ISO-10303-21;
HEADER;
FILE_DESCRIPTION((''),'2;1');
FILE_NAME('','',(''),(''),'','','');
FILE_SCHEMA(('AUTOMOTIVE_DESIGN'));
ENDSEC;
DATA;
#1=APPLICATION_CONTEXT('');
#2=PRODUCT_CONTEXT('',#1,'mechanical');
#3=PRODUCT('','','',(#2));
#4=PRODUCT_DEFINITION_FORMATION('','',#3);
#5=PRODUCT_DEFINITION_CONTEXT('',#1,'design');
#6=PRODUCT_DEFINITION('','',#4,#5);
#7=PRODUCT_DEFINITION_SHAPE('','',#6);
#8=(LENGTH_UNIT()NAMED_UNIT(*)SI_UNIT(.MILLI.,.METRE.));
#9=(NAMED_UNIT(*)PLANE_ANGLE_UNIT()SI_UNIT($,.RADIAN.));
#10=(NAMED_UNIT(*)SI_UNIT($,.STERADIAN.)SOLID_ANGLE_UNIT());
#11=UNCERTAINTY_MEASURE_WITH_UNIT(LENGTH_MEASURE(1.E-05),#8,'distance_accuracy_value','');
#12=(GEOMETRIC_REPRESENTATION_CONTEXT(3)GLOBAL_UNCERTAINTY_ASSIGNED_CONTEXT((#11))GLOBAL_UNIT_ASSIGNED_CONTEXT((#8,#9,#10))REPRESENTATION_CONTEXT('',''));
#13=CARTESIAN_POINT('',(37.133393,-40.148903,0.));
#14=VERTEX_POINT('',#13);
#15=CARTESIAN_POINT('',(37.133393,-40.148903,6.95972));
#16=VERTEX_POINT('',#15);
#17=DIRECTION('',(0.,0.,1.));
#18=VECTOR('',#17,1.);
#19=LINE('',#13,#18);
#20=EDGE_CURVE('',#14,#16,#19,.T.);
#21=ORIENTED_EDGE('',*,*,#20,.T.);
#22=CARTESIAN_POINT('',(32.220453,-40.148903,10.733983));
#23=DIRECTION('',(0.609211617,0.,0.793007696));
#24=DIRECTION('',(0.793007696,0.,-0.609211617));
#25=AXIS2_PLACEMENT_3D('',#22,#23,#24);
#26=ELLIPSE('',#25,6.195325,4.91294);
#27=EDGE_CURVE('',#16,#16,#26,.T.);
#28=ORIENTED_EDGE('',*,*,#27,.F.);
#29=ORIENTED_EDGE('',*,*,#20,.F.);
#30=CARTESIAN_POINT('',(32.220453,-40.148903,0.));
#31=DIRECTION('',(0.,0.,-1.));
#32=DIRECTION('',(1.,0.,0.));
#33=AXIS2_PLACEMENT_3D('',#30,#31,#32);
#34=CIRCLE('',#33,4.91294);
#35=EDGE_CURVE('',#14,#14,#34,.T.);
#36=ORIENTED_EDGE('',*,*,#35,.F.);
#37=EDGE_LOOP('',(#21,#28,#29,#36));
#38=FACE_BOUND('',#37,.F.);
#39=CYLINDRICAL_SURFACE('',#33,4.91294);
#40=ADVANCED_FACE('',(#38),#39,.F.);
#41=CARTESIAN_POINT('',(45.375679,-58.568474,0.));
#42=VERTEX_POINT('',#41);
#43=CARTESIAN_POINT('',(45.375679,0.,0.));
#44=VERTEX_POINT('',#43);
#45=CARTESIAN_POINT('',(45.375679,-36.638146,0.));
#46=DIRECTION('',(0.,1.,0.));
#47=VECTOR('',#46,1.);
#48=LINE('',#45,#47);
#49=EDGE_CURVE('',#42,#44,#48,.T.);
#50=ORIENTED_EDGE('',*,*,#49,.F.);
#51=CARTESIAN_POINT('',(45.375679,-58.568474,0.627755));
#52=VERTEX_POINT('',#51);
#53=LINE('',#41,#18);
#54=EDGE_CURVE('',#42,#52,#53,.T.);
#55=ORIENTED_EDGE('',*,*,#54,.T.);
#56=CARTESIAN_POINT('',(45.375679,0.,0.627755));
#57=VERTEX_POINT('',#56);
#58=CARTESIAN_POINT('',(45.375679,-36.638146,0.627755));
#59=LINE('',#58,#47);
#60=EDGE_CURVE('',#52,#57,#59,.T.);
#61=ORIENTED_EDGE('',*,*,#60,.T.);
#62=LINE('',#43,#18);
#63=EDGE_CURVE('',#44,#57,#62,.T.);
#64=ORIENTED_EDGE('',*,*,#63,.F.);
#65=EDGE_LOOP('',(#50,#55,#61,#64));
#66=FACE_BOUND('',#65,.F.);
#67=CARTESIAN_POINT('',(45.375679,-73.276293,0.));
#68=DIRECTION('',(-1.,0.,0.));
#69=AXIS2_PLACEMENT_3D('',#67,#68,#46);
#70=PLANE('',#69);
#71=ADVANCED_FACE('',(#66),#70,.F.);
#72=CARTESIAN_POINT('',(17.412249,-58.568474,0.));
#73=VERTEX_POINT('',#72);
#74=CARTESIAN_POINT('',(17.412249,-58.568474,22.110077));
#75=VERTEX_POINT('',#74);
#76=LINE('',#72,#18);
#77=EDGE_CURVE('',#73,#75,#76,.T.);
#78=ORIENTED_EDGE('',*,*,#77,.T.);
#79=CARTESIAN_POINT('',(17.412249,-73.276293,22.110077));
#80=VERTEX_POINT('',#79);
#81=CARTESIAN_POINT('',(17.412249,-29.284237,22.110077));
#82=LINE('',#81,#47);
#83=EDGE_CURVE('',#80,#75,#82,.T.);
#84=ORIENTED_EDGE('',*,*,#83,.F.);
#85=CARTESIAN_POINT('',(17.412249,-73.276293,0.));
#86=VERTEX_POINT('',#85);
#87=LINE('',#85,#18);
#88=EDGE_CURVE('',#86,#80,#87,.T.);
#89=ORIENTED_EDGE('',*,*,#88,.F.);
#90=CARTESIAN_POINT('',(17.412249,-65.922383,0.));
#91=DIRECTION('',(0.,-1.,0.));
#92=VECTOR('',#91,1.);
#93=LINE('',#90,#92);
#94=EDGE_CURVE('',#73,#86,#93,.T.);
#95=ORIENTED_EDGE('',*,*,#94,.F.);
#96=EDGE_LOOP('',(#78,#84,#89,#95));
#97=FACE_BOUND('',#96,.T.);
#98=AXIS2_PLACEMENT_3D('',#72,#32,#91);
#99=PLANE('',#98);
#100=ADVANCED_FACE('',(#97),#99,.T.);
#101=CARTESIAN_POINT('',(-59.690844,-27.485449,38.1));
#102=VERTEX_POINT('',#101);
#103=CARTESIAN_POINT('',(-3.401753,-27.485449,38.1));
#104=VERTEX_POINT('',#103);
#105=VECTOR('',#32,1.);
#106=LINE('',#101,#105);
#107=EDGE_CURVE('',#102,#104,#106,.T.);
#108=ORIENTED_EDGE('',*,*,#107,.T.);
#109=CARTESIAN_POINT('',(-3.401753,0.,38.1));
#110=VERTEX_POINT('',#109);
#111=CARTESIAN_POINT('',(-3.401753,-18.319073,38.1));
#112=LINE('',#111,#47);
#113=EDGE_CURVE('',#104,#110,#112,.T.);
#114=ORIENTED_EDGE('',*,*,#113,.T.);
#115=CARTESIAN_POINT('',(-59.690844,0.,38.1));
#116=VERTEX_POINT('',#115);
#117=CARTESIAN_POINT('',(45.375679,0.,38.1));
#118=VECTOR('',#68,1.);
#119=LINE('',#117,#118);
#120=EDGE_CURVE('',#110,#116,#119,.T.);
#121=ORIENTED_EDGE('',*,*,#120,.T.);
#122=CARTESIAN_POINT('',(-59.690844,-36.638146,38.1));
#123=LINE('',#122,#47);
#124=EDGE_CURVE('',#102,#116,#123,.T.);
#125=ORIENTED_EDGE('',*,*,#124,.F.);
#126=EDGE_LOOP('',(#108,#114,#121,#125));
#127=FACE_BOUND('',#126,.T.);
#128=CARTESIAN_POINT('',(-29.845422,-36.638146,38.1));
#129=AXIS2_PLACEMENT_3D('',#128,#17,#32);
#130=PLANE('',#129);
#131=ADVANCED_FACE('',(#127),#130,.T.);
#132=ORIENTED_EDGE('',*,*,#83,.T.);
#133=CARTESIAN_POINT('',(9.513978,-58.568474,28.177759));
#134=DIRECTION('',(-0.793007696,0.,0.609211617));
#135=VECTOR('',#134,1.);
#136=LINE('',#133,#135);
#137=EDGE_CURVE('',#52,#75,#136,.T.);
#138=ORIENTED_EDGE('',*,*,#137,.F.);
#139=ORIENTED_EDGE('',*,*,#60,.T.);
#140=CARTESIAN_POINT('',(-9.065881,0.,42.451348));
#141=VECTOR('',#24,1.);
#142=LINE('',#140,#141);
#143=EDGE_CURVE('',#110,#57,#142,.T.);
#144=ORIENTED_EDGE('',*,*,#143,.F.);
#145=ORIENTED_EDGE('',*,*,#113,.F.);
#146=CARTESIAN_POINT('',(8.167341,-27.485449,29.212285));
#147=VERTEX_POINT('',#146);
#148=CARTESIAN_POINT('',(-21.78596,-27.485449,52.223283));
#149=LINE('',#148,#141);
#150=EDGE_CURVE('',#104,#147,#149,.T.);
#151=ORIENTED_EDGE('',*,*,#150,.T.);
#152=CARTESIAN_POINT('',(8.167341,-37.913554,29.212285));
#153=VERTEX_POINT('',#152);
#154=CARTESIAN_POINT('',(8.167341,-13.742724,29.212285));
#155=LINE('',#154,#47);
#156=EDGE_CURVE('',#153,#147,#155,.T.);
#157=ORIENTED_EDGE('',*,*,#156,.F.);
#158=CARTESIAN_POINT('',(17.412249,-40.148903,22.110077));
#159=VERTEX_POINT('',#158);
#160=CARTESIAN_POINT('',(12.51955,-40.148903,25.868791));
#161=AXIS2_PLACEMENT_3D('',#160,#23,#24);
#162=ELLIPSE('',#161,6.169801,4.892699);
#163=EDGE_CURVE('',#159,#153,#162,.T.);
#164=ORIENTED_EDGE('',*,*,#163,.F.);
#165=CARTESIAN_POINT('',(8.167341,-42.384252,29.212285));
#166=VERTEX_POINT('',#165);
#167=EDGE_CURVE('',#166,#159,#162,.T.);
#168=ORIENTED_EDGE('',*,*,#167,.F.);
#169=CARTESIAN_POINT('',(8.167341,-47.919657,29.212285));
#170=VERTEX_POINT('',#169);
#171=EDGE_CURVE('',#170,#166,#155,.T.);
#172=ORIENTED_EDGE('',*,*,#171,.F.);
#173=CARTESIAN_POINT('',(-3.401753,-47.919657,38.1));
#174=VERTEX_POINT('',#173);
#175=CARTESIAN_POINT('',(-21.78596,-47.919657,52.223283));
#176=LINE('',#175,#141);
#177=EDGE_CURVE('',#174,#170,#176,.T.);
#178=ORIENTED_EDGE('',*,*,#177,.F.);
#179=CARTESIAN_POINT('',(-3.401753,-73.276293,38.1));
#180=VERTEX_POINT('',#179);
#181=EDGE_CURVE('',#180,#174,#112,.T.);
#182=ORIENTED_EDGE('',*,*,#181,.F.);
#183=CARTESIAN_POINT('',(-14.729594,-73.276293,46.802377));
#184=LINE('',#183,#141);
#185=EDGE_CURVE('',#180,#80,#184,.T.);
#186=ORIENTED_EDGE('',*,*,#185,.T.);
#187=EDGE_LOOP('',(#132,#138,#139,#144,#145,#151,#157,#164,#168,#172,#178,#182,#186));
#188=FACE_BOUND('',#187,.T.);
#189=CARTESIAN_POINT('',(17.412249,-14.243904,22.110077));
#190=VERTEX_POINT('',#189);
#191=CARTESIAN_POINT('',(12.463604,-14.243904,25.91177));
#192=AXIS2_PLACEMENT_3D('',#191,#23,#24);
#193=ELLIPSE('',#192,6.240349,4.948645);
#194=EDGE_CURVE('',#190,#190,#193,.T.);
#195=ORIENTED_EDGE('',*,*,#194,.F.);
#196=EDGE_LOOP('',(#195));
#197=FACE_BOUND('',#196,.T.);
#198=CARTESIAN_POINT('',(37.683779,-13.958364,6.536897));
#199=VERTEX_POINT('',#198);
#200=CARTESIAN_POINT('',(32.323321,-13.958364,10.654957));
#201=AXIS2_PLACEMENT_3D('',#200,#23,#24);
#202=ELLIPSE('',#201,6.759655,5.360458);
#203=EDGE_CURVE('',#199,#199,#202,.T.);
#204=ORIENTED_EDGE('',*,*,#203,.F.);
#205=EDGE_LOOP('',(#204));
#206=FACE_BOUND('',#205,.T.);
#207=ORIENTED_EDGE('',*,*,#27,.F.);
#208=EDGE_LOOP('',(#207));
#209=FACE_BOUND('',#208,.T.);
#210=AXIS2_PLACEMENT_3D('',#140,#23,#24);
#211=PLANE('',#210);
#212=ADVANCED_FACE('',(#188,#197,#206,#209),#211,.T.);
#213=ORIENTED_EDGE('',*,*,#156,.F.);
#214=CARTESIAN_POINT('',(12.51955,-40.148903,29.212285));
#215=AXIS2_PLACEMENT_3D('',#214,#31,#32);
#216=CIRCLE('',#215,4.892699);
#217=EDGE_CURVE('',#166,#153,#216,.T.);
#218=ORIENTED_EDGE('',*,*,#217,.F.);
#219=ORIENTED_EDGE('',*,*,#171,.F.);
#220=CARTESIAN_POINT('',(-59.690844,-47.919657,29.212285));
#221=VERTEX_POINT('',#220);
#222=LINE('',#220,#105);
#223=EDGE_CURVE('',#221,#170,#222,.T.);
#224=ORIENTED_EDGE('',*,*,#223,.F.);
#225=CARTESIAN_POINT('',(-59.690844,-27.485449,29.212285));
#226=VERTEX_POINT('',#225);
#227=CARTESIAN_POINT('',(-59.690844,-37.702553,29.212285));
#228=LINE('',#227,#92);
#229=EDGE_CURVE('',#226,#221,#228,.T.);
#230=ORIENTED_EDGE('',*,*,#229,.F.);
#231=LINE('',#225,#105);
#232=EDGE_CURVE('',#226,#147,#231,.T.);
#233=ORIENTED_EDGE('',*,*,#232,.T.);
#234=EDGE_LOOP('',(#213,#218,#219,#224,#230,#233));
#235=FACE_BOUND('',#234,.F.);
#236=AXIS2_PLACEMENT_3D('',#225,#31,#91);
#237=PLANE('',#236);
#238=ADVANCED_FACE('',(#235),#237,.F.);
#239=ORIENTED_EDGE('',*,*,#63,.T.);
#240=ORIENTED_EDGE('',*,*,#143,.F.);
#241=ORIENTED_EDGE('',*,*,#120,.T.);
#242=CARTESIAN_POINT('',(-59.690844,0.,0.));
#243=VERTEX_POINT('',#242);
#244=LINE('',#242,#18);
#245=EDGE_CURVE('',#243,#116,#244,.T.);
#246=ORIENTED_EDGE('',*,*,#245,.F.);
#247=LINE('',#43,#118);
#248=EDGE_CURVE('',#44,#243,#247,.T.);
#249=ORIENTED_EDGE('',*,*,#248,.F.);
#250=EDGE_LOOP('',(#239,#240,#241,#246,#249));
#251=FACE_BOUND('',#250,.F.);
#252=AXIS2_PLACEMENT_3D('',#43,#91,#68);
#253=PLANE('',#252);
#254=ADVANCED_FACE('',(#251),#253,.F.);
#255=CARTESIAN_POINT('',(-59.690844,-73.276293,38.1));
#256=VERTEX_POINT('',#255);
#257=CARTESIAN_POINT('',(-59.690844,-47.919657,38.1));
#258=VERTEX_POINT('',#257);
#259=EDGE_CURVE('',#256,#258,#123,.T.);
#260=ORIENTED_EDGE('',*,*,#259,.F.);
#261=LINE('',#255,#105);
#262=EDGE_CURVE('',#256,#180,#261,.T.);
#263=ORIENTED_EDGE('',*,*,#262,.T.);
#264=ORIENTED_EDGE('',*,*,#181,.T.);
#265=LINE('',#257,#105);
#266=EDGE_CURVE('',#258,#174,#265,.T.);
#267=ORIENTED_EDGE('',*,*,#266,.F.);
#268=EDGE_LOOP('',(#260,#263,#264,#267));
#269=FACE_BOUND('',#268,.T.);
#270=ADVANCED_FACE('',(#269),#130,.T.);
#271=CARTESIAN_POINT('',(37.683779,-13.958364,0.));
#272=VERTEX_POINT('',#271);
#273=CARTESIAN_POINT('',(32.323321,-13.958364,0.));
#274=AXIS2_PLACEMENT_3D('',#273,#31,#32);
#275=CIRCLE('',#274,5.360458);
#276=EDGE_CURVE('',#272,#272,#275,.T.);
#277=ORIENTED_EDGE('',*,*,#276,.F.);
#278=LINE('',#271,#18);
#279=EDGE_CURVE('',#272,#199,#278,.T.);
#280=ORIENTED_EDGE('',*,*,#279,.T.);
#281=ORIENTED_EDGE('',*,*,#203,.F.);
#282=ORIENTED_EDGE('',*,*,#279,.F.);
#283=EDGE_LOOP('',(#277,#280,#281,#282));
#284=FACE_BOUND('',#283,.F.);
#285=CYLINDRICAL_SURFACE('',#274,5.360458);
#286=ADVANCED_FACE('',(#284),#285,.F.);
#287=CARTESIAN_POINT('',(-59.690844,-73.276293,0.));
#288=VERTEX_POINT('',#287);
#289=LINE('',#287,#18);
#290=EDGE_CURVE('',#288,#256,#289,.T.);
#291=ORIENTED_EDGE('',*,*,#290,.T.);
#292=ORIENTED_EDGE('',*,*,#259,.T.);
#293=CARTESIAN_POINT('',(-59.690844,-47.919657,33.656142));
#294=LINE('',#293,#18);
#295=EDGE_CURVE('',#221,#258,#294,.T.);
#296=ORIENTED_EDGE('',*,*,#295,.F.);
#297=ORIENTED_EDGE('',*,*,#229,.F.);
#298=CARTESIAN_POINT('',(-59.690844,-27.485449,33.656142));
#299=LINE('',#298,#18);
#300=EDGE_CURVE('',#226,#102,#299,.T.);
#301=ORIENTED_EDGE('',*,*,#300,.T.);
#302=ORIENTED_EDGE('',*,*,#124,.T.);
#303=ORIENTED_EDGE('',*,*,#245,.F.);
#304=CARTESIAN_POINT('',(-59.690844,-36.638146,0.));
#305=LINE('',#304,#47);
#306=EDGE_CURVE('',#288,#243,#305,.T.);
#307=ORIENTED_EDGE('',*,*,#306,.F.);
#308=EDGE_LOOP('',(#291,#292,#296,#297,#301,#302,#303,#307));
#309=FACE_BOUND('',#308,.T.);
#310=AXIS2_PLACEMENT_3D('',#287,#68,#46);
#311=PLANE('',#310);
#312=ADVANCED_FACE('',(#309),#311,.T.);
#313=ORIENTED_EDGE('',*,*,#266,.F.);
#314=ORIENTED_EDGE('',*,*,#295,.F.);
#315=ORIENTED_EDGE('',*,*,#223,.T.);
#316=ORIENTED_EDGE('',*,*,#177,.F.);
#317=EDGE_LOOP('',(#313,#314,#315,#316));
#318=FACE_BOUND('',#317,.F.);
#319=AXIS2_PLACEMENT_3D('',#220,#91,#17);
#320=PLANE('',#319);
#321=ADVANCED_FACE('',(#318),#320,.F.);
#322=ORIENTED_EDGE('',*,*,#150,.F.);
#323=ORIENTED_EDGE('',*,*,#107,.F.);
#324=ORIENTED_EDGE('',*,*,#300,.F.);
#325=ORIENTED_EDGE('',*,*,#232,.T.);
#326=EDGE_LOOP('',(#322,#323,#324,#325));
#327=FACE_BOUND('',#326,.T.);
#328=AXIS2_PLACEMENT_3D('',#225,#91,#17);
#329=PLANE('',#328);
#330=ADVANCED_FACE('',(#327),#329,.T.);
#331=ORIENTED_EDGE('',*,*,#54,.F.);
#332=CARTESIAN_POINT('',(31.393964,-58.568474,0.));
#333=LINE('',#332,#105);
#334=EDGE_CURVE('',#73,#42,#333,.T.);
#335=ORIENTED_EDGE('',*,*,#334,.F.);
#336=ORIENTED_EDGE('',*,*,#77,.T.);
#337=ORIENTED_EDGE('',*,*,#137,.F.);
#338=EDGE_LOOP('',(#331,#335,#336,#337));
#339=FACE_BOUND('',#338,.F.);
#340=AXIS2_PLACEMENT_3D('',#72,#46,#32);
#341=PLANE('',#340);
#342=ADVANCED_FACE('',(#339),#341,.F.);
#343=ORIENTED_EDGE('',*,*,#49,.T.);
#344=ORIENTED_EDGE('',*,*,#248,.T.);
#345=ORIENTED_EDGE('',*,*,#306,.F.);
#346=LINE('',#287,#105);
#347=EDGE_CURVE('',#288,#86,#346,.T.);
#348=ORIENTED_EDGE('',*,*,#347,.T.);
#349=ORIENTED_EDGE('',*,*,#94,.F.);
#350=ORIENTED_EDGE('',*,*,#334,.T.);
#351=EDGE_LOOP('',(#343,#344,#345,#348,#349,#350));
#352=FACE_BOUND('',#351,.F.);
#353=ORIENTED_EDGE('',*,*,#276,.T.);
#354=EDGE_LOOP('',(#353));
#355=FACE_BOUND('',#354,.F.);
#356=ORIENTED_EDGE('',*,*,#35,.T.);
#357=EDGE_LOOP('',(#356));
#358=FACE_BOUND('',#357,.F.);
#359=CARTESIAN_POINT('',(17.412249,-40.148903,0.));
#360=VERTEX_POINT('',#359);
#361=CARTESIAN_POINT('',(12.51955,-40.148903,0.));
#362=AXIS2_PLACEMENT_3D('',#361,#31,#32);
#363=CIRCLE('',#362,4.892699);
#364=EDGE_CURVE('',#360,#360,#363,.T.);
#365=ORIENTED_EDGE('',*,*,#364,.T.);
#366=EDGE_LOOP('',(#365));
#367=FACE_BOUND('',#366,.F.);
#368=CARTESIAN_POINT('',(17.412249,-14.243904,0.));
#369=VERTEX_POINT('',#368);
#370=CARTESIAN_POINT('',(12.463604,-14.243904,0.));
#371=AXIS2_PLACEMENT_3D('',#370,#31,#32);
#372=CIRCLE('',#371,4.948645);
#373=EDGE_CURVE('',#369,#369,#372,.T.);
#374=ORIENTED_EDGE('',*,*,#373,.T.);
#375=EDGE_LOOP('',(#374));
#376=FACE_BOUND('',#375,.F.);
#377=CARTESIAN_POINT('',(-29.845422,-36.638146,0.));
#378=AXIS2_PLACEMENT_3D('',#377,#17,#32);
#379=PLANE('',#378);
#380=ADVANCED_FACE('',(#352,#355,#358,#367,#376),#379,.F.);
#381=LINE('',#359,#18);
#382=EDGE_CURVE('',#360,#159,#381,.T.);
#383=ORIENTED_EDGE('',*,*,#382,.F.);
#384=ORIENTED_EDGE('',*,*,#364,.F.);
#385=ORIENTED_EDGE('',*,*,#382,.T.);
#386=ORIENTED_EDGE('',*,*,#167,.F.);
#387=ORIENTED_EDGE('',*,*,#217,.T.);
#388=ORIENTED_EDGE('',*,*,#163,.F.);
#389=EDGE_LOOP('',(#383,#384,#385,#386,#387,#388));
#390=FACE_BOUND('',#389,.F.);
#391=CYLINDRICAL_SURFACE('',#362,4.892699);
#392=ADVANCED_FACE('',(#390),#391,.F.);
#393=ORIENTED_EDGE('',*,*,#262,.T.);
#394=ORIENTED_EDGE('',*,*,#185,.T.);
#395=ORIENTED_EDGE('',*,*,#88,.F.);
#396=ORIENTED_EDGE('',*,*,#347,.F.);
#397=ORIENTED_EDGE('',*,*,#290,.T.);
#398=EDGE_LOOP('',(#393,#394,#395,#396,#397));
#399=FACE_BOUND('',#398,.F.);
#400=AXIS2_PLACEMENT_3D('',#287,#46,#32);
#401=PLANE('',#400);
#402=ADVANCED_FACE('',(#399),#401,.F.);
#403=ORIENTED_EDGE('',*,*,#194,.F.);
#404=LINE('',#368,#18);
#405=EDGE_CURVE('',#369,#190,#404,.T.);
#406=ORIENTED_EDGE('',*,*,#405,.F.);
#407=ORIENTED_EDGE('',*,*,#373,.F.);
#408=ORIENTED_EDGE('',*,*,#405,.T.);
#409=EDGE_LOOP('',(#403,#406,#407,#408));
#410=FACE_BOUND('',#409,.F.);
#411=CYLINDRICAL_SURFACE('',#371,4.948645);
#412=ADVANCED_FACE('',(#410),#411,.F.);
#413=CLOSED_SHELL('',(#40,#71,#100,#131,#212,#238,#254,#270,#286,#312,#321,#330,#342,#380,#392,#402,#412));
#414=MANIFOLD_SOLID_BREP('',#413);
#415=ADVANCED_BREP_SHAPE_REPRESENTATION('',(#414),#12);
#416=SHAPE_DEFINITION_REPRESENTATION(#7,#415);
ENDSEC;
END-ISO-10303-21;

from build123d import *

# Parameters (mm, degrees)
F0_W     = 59.6908442676
F0_H     = 73.2762925327
F0_W_2   = 45.3756786883
F1_DEPTH = 38.1
F3_DEPTH = 76.2
F4_W     = 20.4342082143
F4_H     = 8.8877151668
F5_DEPTH = 76.2
F6_W     = 27.9634296894
F6_H     = 14.7078186274
F7_DEPTH = 25.4
F8_R     = 4.8926994205
F8_R_2   = 4.9486448894
F8_R_3   = 4.9129402175
F8_R_4   = 5.3604581345
F9_DEPTH = 76.2


with BuildPart() as f1:
    # F0 (on Top) → F1 (new body)
    with BuildSketch(Plane.XY):
        with Locations((-29.8454221338, -36.6381462663)):
            Rectangle(F0_W, F0_H)
        with Locations((22.6878393441, -36.6381462663)):
            Rectangle(F0_W_2, F0_H)
    extrude(amount=F1_DEPTH)

    # F2 (on Front) → F3 (cut)
    with BuildSketch(Plane.XZ):
        Polygon((-9.0658813715, 42.4513481557), (46.1928248405, 0), (48.2074655592, 0), (48.2074655592, 42.4513481557), align=None)
    extrude(amount=F3_DEPTH, mode=Mode.SUBTRACT)

    # F4 (on face) → F5 (cut)
    with BuildSketch(Plane(origin=(-59.6908442676, 0, 0), x_dir=(0, -1, 0), z_dir=(-1, 0, 0))):
        with Locations((37.7025529742, 33.6561424166)):
            Rectangle(F4_W, F4_H)
    extrude(amount=-F5_DEPTH, mode=Mode.SUBTRACT)

    # F6 (on face) → F7 (cut)
    with BuildSketch(Plane(origin=(0, 0, 0), x_dir=(1, 0, 0), z_dir=(0, 0, -1))):
        with Locations((31.3939638436, 65.922383219)):
            Rectangle(F6_W, F6_H)
    extrude(amount=-F7_DEPTH, mode=Mode.SUBTRACT)

    # F8 (on face) → F9 (cut)
    with BuildSketch(Plane(origin=(0, 0, 0), x_dir=(1, 0, 0), z_dir=(0, 0, -1))):
        with Locations((12.5195495784, 40.1489026845)):
            Circle(F8_R)
        with Locations((12.4636041095, 14.2439040613)):
            Circle(F8_R_2)
        with Locations((32.2204525995, 40.1489026845)):
            Circle(F8_R_3)
        with Locations((32.3233206043, 13.9583635985)):
            Circle(F8_R_4)
    extrude(amount=-F9_DEPTH, mode=Mode.SUBTRACT)


solid = f1.part
